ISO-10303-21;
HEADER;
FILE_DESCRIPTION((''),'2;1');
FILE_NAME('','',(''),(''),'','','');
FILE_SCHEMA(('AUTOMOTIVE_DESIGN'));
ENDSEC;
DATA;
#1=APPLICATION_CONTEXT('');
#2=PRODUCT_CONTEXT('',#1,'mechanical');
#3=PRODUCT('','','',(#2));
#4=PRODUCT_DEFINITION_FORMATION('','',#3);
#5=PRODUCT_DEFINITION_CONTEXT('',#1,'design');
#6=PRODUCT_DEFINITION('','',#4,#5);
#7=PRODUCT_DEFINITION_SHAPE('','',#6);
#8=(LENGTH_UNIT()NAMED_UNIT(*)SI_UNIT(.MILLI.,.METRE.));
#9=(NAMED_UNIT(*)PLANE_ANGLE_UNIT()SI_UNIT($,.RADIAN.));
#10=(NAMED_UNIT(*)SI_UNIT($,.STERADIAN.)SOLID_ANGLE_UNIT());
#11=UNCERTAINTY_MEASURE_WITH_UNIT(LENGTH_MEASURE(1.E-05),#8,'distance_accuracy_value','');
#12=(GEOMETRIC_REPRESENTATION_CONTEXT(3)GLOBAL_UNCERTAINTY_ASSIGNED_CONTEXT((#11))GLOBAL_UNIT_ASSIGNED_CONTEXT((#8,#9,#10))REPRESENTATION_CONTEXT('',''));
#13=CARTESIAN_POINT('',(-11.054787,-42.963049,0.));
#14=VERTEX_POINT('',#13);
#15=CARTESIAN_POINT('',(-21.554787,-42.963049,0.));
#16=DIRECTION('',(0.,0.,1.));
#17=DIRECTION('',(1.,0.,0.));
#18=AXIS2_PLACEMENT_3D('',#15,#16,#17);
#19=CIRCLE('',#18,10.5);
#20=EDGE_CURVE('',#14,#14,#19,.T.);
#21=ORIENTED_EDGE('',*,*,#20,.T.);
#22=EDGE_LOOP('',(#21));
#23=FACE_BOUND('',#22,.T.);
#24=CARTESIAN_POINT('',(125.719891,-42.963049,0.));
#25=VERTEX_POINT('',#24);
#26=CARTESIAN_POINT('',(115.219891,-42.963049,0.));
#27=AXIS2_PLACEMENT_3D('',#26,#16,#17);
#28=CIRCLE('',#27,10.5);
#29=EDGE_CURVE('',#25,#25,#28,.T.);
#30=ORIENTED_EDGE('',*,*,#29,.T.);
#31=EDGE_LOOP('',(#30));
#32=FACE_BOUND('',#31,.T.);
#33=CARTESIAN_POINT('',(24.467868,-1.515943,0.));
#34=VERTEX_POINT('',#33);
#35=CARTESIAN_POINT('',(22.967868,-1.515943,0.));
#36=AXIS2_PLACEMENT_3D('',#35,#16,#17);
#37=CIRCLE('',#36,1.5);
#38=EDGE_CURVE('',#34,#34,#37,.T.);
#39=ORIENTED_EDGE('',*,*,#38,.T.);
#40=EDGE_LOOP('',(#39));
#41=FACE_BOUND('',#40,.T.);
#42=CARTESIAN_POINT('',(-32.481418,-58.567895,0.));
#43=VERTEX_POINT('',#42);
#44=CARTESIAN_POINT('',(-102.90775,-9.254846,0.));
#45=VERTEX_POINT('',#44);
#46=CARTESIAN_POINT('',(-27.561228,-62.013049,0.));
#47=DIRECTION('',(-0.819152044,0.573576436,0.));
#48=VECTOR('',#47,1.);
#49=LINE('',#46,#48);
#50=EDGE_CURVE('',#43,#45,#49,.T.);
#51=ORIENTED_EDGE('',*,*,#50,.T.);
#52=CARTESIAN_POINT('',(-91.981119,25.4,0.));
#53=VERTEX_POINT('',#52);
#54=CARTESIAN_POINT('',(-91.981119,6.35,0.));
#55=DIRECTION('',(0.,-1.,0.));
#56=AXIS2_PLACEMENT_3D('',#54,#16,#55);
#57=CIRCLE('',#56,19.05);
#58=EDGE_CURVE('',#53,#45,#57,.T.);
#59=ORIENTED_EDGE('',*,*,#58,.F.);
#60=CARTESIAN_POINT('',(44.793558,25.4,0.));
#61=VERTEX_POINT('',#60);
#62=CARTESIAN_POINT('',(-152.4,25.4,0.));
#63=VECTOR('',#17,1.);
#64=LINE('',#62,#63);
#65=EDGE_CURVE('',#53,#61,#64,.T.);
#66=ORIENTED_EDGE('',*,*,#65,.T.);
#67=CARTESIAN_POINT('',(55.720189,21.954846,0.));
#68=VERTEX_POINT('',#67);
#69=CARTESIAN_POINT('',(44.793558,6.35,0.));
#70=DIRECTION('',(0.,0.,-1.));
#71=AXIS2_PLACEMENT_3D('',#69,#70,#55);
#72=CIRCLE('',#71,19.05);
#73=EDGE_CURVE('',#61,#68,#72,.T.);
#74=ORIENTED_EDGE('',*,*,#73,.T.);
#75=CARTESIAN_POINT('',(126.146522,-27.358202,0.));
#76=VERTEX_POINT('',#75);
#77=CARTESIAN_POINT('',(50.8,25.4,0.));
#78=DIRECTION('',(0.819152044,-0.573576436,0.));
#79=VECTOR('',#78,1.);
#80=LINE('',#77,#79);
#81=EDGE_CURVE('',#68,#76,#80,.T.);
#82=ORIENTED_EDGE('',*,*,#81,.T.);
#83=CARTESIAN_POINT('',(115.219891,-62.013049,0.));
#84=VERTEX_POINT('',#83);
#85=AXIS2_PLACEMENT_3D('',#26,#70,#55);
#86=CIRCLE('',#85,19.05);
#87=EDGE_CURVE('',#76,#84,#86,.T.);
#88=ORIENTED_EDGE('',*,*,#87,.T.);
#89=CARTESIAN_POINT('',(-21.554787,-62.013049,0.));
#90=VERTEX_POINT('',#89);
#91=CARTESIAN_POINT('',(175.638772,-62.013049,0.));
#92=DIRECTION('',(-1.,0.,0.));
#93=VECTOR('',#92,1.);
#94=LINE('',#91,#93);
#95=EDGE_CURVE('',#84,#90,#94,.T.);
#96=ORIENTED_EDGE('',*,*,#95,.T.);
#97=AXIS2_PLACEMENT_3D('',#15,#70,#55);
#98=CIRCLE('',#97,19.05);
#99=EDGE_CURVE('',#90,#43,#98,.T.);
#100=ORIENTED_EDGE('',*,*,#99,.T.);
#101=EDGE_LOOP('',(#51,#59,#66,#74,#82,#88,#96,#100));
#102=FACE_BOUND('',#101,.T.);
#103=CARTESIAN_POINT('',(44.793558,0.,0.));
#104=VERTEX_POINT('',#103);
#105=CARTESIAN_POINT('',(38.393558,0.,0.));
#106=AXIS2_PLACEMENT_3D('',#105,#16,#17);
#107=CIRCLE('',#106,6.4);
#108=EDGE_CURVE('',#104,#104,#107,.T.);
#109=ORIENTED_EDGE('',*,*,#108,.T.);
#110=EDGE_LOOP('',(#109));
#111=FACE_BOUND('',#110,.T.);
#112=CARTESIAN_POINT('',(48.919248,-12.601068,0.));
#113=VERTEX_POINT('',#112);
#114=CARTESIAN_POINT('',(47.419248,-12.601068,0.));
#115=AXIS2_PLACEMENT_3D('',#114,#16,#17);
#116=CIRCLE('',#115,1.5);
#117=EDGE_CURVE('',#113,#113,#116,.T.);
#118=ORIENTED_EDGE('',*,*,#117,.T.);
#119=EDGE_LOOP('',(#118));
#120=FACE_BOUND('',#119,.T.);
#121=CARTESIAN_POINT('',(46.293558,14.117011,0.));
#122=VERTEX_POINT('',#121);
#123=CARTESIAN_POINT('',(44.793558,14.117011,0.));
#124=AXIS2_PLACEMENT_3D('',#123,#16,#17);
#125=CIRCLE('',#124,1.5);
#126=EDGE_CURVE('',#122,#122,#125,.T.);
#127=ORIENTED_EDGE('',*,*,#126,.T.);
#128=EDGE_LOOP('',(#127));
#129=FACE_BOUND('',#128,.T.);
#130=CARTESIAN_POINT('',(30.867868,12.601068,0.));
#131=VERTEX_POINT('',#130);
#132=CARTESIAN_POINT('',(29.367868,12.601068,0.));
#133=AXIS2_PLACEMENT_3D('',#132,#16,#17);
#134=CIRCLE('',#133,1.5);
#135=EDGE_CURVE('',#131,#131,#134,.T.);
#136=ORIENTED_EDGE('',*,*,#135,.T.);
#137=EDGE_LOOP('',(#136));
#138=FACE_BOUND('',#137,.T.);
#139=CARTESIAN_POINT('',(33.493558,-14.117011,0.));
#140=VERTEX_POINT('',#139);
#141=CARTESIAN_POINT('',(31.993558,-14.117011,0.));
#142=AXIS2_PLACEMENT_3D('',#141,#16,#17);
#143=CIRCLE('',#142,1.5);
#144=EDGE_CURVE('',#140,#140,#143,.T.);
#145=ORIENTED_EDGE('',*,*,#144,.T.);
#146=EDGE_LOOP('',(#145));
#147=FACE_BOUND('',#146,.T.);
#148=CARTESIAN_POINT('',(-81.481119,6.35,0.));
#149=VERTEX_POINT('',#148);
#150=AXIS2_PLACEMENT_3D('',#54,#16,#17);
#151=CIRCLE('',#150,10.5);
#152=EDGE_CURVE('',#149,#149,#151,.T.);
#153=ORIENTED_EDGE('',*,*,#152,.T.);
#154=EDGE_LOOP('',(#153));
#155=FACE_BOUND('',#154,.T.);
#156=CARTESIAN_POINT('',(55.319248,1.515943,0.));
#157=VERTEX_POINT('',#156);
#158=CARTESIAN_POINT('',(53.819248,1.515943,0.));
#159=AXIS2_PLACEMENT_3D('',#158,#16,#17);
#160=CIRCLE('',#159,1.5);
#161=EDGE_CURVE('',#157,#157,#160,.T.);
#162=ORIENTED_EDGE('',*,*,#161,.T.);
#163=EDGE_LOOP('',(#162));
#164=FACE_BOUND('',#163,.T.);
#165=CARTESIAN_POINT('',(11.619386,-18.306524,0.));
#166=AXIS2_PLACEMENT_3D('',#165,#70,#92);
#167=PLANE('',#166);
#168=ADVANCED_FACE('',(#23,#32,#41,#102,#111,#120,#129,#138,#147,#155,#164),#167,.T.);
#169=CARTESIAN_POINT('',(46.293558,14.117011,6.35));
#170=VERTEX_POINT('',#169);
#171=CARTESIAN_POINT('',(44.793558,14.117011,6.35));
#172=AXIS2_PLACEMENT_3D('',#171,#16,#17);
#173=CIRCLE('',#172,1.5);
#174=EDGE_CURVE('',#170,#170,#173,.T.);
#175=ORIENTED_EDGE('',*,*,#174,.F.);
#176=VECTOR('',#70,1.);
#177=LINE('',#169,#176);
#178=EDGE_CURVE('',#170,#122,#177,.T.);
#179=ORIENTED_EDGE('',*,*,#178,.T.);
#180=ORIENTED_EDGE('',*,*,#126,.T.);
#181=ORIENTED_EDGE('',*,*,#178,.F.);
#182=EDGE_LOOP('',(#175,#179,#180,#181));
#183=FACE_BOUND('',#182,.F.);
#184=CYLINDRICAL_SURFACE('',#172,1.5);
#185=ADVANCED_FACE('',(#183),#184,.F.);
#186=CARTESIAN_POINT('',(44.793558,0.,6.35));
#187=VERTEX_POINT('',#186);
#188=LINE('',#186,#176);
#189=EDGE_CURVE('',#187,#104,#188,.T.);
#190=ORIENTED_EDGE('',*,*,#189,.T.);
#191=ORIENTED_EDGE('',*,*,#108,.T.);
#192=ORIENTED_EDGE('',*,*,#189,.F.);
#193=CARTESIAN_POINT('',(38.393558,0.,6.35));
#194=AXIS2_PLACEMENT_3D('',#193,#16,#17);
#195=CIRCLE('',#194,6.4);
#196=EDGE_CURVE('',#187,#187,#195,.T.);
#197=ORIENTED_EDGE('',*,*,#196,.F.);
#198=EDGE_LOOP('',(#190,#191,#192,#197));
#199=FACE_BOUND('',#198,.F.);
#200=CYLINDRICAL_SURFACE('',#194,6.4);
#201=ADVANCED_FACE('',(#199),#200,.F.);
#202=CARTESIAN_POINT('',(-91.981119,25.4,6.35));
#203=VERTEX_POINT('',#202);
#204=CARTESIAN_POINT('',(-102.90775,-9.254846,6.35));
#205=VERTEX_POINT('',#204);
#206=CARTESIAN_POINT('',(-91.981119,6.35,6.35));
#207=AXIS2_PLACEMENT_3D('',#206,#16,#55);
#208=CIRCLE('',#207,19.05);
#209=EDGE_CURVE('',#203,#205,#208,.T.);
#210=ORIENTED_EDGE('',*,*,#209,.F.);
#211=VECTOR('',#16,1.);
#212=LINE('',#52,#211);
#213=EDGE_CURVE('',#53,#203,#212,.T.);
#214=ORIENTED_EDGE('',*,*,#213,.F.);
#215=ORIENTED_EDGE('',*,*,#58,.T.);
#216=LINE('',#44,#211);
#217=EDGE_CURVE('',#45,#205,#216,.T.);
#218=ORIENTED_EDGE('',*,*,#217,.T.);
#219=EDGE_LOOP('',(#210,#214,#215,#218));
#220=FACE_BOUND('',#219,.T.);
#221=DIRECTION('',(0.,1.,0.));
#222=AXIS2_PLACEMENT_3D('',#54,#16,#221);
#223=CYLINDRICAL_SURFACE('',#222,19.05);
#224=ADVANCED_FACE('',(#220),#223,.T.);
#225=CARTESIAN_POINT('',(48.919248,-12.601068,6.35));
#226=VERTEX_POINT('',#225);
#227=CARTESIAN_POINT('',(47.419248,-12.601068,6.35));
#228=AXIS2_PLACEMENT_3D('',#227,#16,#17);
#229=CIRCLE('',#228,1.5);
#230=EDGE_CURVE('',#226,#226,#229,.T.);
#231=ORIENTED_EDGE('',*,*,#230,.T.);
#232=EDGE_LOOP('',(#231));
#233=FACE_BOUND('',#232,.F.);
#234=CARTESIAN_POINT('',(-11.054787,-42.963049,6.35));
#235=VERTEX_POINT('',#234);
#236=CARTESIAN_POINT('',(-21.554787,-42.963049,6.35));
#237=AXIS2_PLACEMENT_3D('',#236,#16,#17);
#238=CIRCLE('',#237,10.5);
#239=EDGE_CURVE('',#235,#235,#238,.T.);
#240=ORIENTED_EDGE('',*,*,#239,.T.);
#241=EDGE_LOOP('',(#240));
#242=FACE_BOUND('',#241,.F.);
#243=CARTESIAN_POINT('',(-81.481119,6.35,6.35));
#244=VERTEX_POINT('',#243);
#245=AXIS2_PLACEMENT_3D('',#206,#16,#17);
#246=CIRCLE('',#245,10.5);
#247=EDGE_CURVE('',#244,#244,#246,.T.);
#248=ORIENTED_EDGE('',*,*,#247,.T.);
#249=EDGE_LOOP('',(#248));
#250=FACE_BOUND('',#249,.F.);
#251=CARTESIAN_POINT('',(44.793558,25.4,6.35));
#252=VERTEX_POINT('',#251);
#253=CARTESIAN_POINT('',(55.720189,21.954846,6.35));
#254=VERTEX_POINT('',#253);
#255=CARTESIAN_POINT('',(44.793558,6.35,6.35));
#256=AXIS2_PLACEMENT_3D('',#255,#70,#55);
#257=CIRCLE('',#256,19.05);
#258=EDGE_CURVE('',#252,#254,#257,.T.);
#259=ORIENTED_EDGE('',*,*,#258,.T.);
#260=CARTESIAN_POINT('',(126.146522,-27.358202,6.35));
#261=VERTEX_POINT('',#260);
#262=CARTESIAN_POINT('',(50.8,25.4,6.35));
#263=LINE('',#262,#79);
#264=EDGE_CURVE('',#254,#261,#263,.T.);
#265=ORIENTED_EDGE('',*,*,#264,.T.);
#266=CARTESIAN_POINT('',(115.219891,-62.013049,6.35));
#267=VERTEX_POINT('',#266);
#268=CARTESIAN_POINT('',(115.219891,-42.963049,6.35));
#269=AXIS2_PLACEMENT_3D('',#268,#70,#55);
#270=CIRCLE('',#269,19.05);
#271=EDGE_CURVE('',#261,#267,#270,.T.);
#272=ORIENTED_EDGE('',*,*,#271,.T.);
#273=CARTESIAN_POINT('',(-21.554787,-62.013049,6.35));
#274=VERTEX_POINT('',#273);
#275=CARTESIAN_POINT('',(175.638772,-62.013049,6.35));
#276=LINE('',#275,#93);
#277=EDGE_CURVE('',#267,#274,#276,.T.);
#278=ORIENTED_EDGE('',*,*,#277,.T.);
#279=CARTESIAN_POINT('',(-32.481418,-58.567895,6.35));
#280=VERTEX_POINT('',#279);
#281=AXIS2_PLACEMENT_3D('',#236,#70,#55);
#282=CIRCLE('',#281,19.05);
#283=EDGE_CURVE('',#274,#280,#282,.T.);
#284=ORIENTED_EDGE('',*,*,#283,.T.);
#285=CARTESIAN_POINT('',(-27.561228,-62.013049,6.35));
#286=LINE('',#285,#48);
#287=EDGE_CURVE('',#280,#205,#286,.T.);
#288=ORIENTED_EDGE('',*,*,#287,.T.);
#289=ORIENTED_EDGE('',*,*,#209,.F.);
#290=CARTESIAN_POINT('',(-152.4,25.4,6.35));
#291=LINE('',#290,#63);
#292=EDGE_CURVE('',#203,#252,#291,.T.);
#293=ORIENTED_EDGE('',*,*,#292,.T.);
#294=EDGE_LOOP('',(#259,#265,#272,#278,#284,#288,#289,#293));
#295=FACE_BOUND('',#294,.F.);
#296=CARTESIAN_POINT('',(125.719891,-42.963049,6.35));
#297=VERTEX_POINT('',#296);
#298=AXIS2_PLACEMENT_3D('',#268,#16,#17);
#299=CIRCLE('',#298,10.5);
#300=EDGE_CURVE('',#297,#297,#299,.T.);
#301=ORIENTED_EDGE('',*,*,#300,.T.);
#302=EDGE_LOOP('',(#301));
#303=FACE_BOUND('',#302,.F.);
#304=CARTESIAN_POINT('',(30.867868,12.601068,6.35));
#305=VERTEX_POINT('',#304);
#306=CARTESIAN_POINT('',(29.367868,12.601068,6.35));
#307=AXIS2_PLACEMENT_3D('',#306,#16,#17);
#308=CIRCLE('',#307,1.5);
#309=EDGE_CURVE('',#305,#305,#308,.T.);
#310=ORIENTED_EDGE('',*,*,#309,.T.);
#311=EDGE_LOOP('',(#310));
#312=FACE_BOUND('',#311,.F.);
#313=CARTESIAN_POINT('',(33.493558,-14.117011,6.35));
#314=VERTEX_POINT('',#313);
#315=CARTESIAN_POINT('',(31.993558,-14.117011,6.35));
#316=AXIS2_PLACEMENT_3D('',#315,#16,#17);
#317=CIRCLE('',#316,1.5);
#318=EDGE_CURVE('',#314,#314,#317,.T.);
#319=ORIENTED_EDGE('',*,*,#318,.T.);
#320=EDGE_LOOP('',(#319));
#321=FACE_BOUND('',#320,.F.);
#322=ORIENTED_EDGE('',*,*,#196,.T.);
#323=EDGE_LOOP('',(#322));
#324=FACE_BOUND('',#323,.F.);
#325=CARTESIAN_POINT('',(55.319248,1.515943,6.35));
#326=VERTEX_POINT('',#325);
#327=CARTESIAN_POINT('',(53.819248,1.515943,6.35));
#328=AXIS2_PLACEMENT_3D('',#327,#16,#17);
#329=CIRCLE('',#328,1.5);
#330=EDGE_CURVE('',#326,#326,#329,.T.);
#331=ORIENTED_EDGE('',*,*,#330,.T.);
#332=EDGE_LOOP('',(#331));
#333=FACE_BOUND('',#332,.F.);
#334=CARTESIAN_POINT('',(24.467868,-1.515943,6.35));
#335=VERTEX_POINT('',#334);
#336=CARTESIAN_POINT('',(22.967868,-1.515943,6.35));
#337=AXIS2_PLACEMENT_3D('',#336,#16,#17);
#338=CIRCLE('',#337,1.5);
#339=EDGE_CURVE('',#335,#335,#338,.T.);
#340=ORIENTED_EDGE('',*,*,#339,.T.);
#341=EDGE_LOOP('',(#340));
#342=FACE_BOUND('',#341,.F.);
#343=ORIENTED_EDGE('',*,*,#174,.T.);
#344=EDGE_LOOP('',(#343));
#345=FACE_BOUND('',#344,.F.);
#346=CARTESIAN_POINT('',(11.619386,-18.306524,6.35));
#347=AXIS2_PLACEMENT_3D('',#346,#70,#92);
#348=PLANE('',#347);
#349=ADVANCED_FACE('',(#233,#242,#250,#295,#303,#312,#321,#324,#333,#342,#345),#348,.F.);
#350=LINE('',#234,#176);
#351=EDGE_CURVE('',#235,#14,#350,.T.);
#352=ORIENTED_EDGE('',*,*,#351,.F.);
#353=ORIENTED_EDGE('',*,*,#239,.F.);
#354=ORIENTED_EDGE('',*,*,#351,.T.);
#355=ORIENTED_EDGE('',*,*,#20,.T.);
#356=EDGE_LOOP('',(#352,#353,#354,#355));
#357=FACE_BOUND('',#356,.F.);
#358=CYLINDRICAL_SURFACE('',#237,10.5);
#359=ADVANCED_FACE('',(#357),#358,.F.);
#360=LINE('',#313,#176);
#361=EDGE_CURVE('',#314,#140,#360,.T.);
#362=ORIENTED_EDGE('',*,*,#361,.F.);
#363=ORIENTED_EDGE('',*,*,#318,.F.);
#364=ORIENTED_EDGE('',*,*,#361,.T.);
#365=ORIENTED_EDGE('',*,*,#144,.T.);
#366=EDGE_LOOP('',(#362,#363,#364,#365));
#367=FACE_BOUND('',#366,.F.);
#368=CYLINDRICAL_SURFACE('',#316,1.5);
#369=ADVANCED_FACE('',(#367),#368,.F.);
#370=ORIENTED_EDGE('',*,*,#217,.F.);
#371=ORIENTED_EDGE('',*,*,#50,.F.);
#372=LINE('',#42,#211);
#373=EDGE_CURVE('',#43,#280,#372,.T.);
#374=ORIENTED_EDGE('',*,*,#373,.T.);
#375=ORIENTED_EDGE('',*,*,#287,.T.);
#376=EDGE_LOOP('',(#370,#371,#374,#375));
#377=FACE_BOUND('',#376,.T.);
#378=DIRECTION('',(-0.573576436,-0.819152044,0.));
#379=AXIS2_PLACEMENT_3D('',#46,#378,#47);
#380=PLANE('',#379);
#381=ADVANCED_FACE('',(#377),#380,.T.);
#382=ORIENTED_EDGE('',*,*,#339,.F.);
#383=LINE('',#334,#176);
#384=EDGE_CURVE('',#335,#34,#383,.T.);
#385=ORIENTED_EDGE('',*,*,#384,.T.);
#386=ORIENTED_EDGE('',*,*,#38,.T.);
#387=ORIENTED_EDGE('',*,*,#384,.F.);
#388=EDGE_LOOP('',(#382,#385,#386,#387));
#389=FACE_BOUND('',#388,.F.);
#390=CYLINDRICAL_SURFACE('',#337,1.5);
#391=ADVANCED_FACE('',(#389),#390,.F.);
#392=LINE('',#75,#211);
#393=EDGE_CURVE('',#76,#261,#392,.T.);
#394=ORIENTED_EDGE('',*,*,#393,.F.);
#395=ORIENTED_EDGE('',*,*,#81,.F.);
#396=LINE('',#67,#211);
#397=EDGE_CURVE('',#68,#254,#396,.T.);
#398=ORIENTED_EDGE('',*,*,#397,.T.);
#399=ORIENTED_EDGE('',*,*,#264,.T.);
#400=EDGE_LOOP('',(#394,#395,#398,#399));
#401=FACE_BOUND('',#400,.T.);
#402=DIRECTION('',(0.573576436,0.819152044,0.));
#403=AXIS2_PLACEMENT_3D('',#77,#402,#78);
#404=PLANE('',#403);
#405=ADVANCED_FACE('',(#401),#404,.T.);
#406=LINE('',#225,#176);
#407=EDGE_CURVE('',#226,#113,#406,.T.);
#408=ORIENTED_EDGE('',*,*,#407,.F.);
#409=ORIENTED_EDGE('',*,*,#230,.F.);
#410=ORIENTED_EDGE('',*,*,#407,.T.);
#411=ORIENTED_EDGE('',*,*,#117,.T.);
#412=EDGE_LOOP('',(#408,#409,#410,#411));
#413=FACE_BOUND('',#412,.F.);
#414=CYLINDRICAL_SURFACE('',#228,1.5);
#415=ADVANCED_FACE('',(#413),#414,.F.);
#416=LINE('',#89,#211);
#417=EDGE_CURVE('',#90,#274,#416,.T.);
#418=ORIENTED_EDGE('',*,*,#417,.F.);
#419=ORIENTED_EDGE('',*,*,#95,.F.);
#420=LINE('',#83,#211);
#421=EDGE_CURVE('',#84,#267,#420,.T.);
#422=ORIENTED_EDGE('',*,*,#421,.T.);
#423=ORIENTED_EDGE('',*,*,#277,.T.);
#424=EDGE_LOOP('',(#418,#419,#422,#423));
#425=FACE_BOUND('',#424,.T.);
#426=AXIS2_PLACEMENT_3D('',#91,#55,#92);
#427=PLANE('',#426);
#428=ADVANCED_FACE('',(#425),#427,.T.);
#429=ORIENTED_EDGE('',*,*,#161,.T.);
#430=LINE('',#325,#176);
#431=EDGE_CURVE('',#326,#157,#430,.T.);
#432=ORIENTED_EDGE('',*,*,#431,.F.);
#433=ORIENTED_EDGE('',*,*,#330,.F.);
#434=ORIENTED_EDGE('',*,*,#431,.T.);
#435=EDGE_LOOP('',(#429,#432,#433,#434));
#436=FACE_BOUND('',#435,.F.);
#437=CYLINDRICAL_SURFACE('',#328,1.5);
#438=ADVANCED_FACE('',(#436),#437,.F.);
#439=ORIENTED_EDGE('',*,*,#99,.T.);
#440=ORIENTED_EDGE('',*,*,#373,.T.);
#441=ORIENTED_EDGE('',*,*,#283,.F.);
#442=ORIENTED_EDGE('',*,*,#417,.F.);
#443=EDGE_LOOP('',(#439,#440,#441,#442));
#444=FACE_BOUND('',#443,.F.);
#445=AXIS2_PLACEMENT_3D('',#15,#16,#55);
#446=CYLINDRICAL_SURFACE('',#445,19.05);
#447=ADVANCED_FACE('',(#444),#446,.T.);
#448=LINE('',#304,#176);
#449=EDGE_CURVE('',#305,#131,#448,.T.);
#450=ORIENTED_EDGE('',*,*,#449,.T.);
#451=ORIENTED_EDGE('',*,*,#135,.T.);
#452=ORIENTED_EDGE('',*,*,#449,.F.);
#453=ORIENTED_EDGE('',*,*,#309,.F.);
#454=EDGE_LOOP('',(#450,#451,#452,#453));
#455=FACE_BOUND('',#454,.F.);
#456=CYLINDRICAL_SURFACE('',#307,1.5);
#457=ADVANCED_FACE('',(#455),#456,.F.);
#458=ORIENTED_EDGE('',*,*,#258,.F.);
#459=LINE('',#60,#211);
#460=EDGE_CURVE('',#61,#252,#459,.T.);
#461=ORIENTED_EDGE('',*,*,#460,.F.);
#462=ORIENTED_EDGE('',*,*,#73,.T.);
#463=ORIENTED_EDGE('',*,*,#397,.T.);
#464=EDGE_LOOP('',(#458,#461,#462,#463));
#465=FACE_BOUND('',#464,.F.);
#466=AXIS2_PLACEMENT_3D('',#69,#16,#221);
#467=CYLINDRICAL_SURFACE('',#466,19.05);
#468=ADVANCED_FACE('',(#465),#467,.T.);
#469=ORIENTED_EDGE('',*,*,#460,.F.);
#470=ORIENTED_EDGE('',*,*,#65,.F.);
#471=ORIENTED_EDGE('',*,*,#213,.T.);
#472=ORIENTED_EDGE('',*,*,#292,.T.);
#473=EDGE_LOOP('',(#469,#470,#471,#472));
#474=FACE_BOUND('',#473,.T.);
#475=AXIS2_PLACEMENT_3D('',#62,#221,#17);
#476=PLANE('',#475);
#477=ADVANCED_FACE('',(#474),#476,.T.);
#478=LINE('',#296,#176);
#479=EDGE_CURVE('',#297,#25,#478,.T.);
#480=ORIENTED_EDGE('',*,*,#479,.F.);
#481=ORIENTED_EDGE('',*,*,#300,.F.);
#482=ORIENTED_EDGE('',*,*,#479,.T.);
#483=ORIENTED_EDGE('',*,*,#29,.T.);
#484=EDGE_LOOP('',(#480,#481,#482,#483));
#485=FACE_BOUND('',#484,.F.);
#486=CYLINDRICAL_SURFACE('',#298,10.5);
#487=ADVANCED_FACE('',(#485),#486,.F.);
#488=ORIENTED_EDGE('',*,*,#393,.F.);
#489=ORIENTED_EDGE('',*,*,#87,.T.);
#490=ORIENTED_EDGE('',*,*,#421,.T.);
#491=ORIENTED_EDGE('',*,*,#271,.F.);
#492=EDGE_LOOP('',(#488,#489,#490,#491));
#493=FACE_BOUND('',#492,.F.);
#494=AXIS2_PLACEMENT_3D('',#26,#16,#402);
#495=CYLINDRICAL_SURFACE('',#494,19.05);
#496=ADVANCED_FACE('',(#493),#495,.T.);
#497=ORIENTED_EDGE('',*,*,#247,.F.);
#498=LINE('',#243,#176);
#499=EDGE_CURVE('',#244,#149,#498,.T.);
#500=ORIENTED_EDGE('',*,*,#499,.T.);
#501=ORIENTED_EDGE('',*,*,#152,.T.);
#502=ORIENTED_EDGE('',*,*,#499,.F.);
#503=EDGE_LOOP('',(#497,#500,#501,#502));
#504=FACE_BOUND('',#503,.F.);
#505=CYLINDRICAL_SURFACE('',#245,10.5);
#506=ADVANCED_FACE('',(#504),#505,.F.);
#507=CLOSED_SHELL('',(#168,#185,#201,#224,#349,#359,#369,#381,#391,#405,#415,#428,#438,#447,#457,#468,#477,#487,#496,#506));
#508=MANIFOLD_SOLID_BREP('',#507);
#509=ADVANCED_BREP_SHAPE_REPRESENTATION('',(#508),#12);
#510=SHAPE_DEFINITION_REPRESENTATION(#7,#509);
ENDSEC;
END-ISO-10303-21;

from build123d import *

# Parameters (mm, degrees)
BOSS_EXTRUDE1_DEPTH = 6.35
FILLET1_R           = 19.05
SKETCH4_R           = 10.5
SKETCH4_R_2         = 6.4
SKETCH4_R_3         = 1.5
CUT_EXTRUDE1_DEPTH  = 7.35


with BuildPart() as part:
    # Sketch3 → Boss-Extrude1 (new body)
    with BuildSketch(Plane.XY):
        Polygon((-152.4, 25.4), (50.8, 25.4), (175.63877155, -62.0130489), (-27.56122845, -62.0130489), align=None)
    extrude(amount=BOSS_EXTRUDE1_DEPTH)

    # Fillet1
    fillet1_edges = [part.edges().sort_by_distance(p)[0] for p in [
        (-152.4, 25.4, 3.175),
        (50.8, 25.4, 3.175),
        (175.63877155, -62.0130489, 3.175),
        (-27.56122845, -62.0130489, 3.175),
    ]]
    fillet(fillet1_edges, radius=FILLET1_R)

    # Sketch4 → Cut-Extrude1 (cut, through all)
    with BuildSketch(Plane.XY.offset(6.35)):
        with Locations((-91.981119015, 6.35)):
            Circle(SKETCH4_R)
        with Locations((38.393558072, 0)):
            Circle(SKETCH4_R_2)
        with Locations((-21.554786522, -42.9630489)):
            Circle(SKETCH4_R)
        with Locations((115.219890565, -42.9630489)):
            Circle(SKETCH4_R)
        with Locations((44.793558072, 14.117011015)):
            Circle(SKETCH4_R_3)
        with Locations((53.819248236, 1.515942923)):
            Circle(SKETCH4_R_3)
        with Locations((47.419248236, -12.601068092)):
            Circle(SKETCH4_R_3)
        with Locations((31.993558072, -14.117011015)):
            Circle(SKETCH4_R_3)
        with Locations((22.967867907, -1.515942923)):
            Circle(SKETCH4_R_3)
        with Locations((29.367867907, 12.601068092)):
            Circle(SKETCH4_R_3)
    extrude(amount=-CUT_EXTRUDE1_DEPTH, mode=Mode.SUBTRACT)


solid = part.part
